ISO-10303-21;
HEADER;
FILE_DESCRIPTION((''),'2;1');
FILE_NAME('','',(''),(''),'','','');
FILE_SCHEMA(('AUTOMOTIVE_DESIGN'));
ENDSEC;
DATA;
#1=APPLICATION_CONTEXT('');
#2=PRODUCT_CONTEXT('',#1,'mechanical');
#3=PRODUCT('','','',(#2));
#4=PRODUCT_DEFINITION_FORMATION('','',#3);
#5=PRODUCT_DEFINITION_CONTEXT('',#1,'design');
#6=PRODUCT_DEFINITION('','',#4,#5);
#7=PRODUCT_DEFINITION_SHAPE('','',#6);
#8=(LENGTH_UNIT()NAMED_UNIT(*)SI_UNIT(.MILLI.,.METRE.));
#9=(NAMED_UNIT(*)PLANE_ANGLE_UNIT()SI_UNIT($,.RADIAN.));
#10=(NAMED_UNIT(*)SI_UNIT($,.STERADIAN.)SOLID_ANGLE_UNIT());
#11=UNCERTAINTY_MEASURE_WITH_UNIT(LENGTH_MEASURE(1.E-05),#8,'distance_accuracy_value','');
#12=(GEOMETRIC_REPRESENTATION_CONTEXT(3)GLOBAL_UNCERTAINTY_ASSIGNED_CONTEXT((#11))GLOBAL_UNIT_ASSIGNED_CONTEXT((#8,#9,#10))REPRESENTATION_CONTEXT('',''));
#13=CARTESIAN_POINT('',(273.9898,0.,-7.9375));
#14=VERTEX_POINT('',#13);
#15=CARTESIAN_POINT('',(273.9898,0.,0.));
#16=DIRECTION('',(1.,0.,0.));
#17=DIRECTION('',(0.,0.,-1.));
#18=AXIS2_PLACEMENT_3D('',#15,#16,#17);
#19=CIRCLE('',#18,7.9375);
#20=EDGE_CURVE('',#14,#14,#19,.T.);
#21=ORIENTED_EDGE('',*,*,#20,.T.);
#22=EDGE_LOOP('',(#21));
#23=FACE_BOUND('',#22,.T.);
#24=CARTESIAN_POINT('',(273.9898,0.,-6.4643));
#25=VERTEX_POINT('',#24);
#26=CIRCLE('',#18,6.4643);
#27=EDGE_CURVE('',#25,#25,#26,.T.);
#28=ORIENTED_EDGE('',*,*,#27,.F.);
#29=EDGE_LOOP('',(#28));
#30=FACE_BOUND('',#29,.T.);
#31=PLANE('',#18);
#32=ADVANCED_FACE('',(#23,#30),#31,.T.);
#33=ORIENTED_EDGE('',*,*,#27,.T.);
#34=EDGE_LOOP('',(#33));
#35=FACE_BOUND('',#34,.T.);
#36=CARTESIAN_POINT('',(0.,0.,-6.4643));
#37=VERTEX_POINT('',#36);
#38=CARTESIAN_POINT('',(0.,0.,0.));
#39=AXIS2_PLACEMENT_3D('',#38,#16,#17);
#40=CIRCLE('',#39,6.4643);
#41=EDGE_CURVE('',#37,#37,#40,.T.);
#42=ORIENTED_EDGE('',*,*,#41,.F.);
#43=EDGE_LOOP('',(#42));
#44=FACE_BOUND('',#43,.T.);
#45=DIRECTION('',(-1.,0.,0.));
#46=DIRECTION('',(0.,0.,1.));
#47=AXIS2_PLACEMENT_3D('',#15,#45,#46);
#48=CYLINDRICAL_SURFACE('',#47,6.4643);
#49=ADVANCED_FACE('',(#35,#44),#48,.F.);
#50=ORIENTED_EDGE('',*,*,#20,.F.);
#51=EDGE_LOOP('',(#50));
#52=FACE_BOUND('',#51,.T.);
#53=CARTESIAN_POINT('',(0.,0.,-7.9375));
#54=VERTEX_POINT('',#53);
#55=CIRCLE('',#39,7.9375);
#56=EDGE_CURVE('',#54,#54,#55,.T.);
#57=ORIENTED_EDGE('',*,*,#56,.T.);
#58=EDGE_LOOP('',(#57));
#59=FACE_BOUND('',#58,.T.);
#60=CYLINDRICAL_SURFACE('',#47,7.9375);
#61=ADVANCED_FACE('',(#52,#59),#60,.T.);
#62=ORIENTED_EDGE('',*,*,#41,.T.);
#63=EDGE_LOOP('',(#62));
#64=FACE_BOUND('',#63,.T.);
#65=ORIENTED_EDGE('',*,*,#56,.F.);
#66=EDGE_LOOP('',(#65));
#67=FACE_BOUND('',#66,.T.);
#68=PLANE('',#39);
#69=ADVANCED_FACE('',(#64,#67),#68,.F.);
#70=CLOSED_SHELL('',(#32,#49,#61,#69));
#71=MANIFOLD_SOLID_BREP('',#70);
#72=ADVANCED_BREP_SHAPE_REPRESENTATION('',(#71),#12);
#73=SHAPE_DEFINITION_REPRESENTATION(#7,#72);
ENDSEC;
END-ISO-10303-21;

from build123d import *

# Parameters (mm, degrees)
SKETCH11_R               = 7.9375
SKETCH11_R_2             = 6.4643
STRUCTURAL_MEMBER1_DEPTH = 273.9898


with BuildPart() as part:
    # Sketch11 → Structural Member1 (new body)
    with BuildSketch(Plane.YZ):
        Circle(SKETCH11_R)
        Circle(SKETCH11_R_2, mode=Mode.SUBTRACT)
    extrude(amount=STRUCTURAL_MEMBER1_DEPTH)


solid = part.part
